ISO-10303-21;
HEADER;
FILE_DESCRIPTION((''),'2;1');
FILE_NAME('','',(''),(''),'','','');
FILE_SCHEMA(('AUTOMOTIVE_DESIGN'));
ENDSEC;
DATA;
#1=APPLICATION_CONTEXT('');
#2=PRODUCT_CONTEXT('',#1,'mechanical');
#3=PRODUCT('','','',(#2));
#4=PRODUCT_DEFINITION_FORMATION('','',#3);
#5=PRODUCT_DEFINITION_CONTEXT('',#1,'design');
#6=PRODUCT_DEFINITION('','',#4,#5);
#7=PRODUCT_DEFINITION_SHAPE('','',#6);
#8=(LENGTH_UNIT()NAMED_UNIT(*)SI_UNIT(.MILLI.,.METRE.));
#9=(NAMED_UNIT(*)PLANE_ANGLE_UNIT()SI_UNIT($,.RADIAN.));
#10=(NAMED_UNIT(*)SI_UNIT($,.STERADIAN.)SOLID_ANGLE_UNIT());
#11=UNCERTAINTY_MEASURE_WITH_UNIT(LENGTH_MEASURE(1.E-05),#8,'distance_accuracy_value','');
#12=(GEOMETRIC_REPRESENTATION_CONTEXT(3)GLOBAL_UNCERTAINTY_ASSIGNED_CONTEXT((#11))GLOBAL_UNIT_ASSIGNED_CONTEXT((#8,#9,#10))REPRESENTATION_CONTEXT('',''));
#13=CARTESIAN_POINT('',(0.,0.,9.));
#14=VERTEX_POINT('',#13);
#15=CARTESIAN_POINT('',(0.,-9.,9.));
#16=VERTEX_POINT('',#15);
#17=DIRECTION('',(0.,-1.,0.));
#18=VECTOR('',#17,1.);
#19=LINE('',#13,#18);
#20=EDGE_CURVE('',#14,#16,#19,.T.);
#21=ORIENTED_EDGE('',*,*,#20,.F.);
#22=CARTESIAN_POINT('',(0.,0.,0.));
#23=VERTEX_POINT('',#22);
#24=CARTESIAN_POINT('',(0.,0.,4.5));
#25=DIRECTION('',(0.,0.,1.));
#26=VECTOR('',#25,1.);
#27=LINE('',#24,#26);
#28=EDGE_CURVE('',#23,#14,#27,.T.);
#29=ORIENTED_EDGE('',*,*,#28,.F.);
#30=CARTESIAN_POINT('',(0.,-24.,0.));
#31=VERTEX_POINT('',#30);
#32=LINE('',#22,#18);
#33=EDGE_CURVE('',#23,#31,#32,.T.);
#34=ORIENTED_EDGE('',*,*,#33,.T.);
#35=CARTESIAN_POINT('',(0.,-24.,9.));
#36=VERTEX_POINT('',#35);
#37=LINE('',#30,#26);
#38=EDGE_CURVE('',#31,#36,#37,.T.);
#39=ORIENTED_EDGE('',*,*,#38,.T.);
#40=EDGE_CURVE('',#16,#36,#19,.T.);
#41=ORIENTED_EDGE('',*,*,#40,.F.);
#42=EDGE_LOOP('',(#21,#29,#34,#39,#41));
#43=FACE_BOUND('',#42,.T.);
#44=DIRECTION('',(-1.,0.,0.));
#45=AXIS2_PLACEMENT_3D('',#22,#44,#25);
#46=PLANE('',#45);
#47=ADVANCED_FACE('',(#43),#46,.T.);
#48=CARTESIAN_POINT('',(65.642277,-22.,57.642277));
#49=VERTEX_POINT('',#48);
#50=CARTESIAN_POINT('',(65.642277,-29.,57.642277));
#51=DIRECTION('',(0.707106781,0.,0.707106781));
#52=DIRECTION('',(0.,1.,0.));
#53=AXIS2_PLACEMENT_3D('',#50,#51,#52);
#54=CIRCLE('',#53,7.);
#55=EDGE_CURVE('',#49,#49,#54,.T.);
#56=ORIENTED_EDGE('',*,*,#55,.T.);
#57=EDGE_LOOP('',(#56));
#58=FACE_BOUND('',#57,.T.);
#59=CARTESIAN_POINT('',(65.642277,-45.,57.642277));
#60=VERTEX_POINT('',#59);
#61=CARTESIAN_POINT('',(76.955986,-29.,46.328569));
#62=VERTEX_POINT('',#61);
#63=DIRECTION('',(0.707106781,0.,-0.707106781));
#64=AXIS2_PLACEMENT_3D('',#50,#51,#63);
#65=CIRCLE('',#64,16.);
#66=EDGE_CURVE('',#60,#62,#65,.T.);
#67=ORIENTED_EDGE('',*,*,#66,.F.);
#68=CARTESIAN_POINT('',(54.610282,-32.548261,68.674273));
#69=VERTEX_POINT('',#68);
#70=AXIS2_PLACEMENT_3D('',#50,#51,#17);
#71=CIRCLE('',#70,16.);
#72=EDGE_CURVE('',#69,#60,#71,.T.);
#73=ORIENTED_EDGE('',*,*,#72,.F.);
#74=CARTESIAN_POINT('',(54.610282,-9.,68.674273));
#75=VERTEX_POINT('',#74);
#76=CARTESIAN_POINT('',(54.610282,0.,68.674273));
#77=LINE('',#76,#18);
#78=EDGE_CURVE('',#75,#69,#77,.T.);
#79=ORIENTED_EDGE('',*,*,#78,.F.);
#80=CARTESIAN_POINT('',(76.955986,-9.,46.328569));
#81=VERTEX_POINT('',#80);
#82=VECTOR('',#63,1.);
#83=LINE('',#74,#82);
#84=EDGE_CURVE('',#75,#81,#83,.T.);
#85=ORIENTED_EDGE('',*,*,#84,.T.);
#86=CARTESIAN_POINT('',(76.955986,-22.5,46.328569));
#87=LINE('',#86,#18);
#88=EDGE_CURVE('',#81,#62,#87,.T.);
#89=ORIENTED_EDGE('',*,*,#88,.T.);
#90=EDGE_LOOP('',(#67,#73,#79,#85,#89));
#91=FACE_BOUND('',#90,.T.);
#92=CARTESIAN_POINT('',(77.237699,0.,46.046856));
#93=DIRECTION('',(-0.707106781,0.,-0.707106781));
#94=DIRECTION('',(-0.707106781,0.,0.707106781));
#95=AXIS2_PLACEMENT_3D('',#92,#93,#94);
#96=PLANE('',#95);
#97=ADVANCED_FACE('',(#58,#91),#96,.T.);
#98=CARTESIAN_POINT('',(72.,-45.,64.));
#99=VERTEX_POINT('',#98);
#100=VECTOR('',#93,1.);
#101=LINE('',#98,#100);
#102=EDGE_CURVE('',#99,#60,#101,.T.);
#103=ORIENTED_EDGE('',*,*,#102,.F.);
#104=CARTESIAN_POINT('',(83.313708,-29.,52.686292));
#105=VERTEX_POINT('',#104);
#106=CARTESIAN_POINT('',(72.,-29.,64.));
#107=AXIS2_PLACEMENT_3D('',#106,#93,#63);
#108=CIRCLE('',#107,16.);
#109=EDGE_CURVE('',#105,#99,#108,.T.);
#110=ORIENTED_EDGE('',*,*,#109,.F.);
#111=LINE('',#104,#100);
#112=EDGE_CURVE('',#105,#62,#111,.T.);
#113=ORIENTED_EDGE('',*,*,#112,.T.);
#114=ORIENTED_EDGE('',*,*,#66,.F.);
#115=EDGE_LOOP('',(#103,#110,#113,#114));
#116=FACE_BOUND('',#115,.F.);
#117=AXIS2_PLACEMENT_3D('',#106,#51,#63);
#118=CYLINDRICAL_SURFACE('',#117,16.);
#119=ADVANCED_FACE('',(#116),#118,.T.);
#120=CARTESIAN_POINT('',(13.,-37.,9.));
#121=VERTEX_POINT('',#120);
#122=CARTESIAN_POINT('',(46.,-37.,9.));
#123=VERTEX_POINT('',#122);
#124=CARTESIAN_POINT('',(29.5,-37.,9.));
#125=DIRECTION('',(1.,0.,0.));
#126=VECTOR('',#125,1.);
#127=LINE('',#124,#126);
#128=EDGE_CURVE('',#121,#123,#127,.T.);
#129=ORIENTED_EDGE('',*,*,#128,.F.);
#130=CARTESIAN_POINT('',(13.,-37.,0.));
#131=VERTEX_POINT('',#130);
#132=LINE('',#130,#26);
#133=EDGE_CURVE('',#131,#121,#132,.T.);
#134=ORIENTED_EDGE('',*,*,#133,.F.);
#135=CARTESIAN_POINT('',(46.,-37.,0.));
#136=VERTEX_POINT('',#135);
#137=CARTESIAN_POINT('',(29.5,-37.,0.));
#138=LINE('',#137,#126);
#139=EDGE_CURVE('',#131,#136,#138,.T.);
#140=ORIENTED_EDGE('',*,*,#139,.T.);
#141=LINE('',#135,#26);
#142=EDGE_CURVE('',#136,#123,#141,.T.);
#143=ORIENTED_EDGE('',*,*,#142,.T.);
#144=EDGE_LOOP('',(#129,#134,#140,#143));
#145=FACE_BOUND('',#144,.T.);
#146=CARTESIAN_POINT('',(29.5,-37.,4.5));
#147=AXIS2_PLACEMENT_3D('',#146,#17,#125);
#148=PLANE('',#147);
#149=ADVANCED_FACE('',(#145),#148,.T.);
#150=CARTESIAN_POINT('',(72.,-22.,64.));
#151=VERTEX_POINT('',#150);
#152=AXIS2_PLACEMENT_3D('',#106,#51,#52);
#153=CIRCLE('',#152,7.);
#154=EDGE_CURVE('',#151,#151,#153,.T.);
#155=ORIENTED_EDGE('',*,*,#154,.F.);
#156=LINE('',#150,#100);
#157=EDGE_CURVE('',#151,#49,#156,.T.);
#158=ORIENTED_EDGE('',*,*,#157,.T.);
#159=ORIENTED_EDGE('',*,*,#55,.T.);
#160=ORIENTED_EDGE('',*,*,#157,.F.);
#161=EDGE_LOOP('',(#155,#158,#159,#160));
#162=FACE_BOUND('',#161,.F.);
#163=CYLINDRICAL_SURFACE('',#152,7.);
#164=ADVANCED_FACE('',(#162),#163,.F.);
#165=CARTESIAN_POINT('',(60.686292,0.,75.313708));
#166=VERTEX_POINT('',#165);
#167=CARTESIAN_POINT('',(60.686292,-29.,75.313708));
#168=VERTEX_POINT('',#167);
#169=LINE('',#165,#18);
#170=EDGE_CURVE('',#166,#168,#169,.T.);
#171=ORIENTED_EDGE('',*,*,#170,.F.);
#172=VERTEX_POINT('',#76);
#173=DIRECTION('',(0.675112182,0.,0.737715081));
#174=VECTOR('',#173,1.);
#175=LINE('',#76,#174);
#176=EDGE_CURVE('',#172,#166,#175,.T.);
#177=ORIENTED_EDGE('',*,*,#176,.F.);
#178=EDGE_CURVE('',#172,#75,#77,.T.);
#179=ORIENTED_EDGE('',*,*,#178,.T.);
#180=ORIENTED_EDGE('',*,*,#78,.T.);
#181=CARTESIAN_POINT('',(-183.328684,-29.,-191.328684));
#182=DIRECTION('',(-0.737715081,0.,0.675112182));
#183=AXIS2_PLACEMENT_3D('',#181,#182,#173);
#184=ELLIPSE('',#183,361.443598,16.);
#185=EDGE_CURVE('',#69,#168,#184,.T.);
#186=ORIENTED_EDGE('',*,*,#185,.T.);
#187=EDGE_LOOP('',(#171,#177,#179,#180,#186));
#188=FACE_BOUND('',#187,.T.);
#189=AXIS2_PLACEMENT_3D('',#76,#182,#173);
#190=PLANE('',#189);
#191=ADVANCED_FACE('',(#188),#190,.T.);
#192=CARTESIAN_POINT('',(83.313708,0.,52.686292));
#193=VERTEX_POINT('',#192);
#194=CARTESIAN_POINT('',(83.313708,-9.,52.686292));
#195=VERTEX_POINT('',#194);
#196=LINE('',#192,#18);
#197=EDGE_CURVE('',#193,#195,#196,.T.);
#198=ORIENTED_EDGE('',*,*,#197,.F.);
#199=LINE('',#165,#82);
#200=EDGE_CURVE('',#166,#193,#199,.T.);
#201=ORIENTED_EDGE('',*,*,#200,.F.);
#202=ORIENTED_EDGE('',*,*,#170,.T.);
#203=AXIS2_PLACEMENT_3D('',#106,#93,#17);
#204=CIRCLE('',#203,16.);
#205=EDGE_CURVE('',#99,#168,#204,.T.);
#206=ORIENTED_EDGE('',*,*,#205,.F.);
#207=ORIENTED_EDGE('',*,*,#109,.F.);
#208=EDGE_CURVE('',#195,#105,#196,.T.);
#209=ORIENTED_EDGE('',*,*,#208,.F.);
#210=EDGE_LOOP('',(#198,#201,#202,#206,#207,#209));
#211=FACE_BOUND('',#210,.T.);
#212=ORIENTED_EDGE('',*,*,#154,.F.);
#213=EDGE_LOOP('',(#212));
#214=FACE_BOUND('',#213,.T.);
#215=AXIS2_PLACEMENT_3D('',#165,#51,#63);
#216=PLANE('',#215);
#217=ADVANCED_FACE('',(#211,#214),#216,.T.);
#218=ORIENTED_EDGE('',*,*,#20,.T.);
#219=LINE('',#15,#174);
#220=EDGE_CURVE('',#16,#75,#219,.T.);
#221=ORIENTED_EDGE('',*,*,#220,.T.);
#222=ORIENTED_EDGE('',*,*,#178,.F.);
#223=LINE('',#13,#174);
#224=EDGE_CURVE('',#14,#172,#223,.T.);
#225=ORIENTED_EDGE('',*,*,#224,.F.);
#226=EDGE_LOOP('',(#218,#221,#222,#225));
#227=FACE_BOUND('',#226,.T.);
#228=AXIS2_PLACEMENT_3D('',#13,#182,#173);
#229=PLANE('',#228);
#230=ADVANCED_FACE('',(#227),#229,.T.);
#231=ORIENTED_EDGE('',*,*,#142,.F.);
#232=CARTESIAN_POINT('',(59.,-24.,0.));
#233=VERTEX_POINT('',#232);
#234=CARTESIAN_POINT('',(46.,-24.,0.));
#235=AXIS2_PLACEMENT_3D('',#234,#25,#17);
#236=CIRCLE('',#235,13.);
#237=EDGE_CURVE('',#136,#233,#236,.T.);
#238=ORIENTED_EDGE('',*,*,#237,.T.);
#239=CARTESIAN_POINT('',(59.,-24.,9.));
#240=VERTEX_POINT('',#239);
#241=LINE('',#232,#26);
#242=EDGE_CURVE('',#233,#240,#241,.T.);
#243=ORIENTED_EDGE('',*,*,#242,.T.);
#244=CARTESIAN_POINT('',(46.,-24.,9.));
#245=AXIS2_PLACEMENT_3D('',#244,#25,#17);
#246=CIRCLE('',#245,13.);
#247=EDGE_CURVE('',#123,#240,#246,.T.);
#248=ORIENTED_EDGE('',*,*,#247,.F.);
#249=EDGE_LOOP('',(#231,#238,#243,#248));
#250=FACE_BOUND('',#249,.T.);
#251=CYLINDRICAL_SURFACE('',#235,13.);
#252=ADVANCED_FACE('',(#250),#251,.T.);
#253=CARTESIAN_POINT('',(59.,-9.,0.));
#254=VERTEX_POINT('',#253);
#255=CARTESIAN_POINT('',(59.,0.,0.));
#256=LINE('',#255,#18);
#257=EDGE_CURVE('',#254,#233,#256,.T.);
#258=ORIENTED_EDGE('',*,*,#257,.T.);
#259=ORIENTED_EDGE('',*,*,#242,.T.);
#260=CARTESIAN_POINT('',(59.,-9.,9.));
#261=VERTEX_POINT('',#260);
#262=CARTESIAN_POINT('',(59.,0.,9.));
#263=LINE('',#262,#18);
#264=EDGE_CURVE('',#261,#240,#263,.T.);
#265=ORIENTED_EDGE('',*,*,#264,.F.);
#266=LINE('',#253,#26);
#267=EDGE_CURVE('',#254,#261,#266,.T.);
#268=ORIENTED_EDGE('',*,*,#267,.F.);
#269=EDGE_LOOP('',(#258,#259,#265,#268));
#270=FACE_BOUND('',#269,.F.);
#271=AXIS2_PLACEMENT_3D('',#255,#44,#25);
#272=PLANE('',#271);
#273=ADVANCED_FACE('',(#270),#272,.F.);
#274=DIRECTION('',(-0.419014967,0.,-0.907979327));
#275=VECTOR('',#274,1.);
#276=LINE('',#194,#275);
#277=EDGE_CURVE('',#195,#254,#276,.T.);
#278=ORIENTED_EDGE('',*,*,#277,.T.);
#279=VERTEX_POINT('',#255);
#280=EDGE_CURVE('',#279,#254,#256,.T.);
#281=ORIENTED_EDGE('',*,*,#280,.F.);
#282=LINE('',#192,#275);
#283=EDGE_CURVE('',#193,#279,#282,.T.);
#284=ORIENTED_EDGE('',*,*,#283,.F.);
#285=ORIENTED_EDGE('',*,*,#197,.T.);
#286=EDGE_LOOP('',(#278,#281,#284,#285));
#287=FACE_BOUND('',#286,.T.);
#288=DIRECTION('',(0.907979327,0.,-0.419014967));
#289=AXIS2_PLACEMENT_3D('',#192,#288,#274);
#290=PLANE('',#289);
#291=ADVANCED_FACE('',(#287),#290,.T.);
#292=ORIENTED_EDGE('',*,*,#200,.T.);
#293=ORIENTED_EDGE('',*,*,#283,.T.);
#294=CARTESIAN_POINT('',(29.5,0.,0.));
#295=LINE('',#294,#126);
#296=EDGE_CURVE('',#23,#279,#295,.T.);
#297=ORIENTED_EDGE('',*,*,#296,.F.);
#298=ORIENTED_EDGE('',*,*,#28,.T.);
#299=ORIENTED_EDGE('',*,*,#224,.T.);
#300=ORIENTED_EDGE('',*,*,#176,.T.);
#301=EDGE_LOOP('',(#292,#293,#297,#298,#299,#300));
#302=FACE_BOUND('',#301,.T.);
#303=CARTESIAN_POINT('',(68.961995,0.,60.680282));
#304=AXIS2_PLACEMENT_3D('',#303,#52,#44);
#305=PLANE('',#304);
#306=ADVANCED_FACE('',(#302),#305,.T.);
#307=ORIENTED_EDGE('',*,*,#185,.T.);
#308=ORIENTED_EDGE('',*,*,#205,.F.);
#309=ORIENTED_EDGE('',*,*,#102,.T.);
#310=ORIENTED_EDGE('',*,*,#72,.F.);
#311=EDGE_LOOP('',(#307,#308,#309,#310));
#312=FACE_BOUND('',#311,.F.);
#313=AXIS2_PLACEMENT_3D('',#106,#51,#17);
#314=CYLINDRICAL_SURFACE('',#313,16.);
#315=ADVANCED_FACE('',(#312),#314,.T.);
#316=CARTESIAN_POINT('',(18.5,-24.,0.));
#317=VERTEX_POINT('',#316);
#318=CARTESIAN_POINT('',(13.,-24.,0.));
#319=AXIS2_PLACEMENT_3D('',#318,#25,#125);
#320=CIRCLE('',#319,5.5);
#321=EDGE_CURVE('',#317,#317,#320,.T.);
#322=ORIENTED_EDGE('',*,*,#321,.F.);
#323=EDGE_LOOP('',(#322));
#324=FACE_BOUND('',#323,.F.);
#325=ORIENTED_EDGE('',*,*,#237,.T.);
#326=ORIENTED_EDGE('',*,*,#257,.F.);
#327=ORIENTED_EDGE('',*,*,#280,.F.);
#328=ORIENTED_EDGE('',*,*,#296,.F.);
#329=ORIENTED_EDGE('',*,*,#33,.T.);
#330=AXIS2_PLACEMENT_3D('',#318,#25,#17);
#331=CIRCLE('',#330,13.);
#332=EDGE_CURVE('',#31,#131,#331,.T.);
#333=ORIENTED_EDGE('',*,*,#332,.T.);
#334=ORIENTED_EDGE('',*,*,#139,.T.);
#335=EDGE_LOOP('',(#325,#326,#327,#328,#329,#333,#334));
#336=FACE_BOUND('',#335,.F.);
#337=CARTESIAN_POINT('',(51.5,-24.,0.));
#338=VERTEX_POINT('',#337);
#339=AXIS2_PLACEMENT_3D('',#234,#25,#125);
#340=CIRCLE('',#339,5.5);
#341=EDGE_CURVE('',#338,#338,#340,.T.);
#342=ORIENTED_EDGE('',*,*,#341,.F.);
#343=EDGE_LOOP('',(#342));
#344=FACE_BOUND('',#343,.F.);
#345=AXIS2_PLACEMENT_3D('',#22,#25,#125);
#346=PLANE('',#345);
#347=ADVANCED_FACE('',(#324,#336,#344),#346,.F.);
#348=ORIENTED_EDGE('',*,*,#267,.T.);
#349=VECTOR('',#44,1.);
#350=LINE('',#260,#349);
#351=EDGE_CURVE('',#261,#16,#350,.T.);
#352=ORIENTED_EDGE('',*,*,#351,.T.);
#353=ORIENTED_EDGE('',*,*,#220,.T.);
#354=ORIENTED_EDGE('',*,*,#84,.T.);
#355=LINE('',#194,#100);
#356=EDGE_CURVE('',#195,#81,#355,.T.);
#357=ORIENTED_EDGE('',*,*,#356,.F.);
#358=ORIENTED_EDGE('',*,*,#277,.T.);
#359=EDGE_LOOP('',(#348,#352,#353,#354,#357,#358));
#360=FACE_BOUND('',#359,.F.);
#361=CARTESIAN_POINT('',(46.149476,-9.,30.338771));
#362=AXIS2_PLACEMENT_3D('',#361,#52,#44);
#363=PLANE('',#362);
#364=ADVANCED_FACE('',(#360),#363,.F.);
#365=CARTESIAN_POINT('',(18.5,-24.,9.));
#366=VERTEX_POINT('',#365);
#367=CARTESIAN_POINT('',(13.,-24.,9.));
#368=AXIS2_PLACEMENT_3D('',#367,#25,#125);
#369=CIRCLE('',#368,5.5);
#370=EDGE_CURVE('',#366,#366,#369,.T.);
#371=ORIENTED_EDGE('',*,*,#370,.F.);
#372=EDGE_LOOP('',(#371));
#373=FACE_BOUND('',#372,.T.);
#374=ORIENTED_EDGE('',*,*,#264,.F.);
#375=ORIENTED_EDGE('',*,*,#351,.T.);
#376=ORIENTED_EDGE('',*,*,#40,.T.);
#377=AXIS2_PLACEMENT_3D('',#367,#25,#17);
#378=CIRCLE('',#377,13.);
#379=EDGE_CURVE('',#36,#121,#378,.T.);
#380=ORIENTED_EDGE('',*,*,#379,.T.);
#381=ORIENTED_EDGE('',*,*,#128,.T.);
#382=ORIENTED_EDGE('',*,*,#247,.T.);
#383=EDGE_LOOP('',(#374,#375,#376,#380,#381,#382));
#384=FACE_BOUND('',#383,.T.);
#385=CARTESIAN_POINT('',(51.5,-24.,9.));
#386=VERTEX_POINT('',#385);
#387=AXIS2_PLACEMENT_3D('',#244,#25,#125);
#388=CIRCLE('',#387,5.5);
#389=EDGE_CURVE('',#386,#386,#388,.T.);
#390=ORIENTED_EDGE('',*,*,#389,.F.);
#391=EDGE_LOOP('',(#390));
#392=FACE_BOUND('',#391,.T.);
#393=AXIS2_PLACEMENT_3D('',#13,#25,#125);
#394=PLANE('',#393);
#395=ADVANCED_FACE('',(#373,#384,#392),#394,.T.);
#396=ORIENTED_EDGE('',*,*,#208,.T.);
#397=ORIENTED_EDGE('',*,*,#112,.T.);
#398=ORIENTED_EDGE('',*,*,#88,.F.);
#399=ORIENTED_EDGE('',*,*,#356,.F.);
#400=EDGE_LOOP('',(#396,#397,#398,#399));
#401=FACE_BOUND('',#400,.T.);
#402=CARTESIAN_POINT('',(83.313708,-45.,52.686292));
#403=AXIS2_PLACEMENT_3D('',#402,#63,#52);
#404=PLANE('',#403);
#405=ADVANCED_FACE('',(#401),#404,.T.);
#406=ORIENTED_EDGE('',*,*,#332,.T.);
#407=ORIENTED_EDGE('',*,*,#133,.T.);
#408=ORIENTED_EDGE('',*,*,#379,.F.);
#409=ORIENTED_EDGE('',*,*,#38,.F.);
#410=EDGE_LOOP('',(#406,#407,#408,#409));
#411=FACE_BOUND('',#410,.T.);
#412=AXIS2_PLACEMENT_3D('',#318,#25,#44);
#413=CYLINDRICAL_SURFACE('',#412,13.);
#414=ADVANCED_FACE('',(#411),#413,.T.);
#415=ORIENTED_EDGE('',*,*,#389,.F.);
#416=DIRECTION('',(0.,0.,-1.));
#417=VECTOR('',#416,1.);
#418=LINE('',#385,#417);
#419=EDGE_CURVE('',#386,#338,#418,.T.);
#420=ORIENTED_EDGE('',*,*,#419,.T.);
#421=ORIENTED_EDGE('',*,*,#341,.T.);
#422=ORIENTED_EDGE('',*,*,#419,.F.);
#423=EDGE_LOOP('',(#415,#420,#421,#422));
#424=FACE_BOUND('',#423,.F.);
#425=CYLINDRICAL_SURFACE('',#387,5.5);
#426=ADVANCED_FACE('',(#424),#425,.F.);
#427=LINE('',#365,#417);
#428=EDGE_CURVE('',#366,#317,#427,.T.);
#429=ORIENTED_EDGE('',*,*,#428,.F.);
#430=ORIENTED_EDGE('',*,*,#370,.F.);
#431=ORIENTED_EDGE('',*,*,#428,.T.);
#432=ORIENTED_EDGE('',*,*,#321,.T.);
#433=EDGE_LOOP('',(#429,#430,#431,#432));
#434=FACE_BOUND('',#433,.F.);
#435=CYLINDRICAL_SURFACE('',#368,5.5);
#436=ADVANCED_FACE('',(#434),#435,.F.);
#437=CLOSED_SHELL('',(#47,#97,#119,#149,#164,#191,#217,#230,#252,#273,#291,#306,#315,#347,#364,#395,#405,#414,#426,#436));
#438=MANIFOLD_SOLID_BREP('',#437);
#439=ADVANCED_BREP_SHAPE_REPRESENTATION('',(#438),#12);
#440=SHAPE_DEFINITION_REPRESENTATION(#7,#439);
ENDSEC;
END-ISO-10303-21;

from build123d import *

# Parameters (mm, degrees)
F0_W       = 59
F0_H       = 9
F1_DEPTH   = 37
F2_R       = 5.5
F3_DEPTH   = 25
F5_DEPTH   = 9
F6_DEPTH   = 45
F7_R       = 7
F6_FACE1_W = 36
F6_FACE1_H = 9
F8_DEPTH   = 25
F9_R       = 13


with BuildPart() as f1:
    # F0 (on Front) → F1 (new body)
    with BuildSketch(Plane.XZ):
        with Locations((29.5, 4.5)):
            Rectangle(F0_W, F0_H)
    extrude(amount=F1_DEPTH)

    # F2 (on face) → F3 (cut)
    with BuildSketch(Plane.XY.offset(9)):
        with Locations((46, -24)):
            Circle(F2_R)
        with Locations((13, -24)):
            Circle(F2_R)
    extrude(amount=-F3_DEPTH, mode=Mode.SUBTRACT)

    # F4 (on face) → F5 (join)
    with BuildSketch(Plane(origin=(0, 0, 0), x_dir=(-1, 0, 0), z_dir=(0, 1, 0))):
        Polygon((-77.2376988573, 46.0468557694), (-83.313708499, 52.686291501), (-59, 0), (-59, 9), (0, 9), (-54.6102818594, 68.6742727673), align=None)
    extrude(amount=-F5_DEPTH)

    # F4 (on face) → F6 (join)
    with BuildSketch(Plane(origin=(0, 0, 0), x_dir=(-1, 0, 0), z_dir=(0, 1, 0))):
        Polygon((-60.686291501, 75.313708499), (-72, 64), (-83.313708499, 52.686291501), (-77.2376988573, 46.0468557694), (-54.6102818594, 68.6742727673), align=None)
    extrude(amount=-F6_DEPTH)

    # F7 (on face) + F6_face1 (on face) → F8 (cut)
    with BuildSketch(Plane(origin=(68, 0, 68), x_dir=(0, 1, 0), z_dir=(0.7071067812, 0, 0.7071067812))):
        with Locations((-29, -5.6568542495)):
            Circle(F7_R)
        with BuildLine():
            ThreePointArc((-45, -5.6568542495), (-40.313708499, 5.6568542495), (-29, 10.3431457505))
            Line((-29, 10.3431457505), (-45, 10.3431457505))
            Line((-45, 10.3431457505), (-45, -5.6568542495))
        make_face()
        with BuildLine():
            ThreePointArc((-29, -21.6568542495), (-40.313708499, -16.9705627485), (-45, -5.6568542495))
            Line((-45, -5.6568542495), (-45, -21.6568542495))
            Line((-45, -21.6568542495), (-29, -21.6568542495))
        make_face()
    with BuildSketch(Plane(origin=(80.2757036782, -27, 49.3665736352), x_dir=(0, 1, 0), z_dir=(0.7377150813, 0, -0.6751121824))):
        Rectangle(F6_FACE1_W, F6_FACE1_H)
    extrude(amount=-F8_DEPTH, dir=(0.7071067812, 0, 0.7071067812), mode=Mode.SUBTRACT)

    # F9
    f9_edges = [f1.edges().sort_by_distance(p)[0] for p in [
        (59, -37, 4.5),
        (0, -37, 4.5),
    ]]
    fillet(f9_edges, radius=F9_R)


solid = f1.part
